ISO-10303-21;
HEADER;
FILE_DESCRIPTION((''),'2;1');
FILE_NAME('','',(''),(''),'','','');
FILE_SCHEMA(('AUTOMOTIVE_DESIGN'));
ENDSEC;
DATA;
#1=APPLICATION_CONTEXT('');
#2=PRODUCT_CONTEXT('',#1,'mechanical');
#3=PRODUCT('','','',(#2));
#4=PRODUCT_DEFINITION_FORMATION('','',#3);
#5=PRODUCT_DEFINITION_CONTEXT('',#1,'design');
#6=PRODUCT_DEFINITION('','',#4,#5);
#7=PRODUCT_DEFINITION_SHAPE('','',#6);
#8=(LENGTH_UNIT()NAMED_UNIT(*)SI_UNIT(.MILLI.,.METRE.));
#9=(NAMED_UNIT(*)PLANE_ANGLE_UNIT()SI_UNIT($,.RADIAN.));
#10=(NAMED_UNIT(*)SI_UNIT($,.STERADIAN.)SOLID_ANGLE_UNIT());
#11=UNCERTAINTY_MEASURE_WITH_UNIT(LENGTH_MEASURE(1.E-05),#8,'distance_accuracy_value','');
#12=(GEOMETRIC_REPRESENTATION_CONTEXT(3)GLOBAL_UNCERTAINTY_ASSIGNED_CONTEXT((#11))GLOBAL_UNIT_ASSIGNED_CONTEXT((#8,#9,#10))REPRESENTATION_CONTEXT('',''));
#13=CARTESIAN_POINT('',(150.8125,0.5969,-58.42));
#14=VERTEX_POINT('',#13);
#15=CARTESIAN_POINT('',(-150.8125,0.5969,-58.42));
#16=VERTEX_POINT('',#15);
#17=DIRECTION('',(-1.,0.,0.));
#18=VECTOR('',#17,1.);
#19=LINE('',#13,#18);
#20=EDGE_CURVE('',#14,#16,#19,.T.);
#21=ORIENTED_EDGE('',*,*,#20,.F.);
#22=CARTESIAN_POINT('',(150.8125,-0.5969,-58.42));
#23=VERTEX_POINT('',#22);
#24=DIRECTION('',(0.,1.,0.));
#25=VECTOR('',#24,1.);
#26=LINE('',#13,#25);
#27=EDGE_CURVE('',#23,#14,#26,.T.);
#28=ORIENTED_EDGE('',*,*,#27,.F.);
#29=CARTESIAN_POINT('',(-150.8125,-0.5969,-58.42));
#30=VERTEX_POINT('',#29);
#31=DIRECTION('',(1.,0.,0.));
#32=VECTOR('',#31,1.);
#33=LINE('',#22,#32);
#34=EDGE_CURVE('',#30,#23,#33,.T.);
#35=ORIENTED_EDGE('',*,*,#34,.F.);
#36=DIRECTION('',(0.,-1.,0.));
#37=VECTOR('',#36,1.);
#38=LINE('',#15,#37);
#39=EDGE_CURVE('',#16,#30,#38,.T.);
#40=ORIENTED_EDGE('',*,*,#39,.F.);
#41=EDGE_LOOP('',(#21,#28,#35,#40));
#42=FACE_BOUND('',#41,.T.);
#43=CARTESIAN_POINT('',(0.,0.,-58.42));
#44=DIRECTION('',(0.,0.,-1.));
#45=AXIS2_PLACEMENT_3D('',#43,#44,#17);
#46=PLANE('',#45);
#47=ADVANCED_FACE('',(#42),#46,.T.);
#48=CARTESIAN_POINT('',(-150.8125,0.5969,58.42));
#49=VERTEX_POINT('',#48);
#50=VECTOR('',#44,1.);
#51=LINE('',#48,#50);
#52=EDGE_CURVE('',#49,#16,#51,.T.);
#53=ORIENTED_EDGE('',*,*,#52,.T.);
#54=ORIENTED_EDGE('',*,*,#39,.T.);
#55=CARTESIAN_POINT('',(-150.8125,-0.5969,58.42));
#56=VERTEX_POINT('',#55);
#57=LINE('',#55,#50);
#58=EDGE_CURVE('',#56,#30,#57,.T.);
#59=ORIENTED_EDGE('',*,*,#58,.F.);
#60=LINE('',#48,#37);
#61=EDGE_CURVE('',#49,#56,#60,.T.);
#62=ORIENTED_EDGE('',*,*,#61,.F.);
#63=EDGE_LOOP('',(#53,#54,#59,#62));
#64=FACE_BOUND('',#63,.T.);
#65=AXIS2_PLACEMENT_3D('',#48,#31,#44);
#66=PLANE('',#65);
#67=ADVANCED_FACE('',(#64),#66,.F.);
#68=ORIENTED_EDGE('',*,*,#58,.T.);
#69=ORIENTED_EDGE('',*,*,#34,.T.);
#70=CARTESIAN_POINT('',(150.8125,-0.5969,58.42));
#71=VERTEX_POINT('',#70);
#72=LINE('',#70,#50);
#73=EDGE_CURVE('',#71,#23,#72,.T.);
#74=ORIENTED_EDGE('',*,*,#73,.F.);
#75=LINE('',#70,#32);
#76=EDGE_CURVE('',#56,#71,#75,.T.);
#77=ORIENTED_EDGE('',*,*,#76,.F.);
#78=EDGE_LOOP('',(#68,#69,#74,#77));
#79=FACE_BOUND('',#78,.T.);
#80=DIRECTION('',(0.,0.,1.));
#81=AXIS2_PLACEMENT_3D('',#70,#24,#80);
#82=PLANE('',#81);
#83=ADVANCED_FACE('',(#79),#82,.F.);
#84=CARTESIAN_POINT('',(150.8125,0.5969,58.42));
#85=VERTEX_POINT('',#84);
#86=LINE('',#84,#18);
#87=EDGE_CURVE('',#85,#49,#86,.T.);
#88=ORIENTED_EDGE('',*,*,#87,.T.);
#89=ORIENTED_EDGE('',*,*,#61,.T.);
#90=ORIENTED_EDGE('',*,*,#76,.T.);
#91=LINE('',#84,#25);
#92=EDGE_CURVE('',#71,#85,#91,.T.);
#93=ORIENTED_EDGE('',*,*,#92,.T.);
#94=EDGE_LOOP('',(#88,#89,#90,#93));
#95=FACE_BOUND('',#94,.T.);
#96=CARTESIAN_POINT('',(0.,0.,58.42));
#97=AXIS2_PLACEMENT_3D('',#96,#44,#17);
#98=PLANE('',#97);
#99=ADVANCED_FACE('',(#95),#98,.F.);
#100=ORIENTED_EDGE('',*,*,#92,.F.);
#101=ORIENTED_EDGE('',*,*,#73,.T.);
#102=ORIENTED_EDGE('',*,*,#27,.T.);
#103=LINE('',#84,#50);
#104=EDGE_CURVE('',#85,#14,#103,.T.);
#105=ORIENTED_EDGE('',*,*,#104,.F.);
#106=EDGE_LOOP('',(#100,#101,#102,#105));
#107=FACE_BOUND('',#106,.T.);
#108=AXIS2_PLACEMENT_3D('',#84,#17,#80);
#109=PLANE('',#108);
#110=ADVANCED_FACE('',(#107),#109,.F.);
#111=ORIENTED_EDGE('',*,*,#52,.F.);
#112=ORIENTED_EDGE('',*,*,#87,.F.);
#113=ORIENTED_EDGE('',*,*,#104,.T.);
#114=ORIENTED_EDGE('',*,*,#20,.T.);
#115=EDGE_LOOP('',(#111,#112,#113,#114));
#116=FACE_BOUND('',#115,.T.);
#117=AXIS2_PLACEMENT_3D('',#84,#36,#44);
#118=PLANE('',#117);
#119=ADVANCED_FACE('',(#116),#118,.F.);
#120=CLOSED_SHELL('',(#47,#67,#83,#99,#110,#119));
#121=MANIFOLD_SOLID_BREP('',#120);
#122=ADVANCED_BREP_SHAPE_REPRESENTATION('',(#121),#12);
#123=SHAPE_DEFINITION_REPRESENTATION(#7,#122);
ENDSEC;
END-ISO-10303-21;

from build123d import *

# Parameters (mm, degrees)
BOSS_EXTRUDE1_DEPTH      = 58.42
BOSS_EXTRUDE1_DEPTH_BACK = 58.42
SKETCH3_W                = 301.625
SKETCH3_H                = 1.1938


with BuildPart() as part:
    # Sketch3 → Boss-Extrude1 (new, two sides: drawn at the far end of the back side and taken through both)
    with BuildSketch(Plane.XY.offset(-BOSS_EXTRUDE1_DEPTH_BACK)):
        Rectangle(SKETCH3_W, SKETCH3_H)
    extrude(amount=BOSS_EXTRUDE1_DEPTH + BOSS_EXTRUDE1_DEPTH_BACK)


solid = part.part
